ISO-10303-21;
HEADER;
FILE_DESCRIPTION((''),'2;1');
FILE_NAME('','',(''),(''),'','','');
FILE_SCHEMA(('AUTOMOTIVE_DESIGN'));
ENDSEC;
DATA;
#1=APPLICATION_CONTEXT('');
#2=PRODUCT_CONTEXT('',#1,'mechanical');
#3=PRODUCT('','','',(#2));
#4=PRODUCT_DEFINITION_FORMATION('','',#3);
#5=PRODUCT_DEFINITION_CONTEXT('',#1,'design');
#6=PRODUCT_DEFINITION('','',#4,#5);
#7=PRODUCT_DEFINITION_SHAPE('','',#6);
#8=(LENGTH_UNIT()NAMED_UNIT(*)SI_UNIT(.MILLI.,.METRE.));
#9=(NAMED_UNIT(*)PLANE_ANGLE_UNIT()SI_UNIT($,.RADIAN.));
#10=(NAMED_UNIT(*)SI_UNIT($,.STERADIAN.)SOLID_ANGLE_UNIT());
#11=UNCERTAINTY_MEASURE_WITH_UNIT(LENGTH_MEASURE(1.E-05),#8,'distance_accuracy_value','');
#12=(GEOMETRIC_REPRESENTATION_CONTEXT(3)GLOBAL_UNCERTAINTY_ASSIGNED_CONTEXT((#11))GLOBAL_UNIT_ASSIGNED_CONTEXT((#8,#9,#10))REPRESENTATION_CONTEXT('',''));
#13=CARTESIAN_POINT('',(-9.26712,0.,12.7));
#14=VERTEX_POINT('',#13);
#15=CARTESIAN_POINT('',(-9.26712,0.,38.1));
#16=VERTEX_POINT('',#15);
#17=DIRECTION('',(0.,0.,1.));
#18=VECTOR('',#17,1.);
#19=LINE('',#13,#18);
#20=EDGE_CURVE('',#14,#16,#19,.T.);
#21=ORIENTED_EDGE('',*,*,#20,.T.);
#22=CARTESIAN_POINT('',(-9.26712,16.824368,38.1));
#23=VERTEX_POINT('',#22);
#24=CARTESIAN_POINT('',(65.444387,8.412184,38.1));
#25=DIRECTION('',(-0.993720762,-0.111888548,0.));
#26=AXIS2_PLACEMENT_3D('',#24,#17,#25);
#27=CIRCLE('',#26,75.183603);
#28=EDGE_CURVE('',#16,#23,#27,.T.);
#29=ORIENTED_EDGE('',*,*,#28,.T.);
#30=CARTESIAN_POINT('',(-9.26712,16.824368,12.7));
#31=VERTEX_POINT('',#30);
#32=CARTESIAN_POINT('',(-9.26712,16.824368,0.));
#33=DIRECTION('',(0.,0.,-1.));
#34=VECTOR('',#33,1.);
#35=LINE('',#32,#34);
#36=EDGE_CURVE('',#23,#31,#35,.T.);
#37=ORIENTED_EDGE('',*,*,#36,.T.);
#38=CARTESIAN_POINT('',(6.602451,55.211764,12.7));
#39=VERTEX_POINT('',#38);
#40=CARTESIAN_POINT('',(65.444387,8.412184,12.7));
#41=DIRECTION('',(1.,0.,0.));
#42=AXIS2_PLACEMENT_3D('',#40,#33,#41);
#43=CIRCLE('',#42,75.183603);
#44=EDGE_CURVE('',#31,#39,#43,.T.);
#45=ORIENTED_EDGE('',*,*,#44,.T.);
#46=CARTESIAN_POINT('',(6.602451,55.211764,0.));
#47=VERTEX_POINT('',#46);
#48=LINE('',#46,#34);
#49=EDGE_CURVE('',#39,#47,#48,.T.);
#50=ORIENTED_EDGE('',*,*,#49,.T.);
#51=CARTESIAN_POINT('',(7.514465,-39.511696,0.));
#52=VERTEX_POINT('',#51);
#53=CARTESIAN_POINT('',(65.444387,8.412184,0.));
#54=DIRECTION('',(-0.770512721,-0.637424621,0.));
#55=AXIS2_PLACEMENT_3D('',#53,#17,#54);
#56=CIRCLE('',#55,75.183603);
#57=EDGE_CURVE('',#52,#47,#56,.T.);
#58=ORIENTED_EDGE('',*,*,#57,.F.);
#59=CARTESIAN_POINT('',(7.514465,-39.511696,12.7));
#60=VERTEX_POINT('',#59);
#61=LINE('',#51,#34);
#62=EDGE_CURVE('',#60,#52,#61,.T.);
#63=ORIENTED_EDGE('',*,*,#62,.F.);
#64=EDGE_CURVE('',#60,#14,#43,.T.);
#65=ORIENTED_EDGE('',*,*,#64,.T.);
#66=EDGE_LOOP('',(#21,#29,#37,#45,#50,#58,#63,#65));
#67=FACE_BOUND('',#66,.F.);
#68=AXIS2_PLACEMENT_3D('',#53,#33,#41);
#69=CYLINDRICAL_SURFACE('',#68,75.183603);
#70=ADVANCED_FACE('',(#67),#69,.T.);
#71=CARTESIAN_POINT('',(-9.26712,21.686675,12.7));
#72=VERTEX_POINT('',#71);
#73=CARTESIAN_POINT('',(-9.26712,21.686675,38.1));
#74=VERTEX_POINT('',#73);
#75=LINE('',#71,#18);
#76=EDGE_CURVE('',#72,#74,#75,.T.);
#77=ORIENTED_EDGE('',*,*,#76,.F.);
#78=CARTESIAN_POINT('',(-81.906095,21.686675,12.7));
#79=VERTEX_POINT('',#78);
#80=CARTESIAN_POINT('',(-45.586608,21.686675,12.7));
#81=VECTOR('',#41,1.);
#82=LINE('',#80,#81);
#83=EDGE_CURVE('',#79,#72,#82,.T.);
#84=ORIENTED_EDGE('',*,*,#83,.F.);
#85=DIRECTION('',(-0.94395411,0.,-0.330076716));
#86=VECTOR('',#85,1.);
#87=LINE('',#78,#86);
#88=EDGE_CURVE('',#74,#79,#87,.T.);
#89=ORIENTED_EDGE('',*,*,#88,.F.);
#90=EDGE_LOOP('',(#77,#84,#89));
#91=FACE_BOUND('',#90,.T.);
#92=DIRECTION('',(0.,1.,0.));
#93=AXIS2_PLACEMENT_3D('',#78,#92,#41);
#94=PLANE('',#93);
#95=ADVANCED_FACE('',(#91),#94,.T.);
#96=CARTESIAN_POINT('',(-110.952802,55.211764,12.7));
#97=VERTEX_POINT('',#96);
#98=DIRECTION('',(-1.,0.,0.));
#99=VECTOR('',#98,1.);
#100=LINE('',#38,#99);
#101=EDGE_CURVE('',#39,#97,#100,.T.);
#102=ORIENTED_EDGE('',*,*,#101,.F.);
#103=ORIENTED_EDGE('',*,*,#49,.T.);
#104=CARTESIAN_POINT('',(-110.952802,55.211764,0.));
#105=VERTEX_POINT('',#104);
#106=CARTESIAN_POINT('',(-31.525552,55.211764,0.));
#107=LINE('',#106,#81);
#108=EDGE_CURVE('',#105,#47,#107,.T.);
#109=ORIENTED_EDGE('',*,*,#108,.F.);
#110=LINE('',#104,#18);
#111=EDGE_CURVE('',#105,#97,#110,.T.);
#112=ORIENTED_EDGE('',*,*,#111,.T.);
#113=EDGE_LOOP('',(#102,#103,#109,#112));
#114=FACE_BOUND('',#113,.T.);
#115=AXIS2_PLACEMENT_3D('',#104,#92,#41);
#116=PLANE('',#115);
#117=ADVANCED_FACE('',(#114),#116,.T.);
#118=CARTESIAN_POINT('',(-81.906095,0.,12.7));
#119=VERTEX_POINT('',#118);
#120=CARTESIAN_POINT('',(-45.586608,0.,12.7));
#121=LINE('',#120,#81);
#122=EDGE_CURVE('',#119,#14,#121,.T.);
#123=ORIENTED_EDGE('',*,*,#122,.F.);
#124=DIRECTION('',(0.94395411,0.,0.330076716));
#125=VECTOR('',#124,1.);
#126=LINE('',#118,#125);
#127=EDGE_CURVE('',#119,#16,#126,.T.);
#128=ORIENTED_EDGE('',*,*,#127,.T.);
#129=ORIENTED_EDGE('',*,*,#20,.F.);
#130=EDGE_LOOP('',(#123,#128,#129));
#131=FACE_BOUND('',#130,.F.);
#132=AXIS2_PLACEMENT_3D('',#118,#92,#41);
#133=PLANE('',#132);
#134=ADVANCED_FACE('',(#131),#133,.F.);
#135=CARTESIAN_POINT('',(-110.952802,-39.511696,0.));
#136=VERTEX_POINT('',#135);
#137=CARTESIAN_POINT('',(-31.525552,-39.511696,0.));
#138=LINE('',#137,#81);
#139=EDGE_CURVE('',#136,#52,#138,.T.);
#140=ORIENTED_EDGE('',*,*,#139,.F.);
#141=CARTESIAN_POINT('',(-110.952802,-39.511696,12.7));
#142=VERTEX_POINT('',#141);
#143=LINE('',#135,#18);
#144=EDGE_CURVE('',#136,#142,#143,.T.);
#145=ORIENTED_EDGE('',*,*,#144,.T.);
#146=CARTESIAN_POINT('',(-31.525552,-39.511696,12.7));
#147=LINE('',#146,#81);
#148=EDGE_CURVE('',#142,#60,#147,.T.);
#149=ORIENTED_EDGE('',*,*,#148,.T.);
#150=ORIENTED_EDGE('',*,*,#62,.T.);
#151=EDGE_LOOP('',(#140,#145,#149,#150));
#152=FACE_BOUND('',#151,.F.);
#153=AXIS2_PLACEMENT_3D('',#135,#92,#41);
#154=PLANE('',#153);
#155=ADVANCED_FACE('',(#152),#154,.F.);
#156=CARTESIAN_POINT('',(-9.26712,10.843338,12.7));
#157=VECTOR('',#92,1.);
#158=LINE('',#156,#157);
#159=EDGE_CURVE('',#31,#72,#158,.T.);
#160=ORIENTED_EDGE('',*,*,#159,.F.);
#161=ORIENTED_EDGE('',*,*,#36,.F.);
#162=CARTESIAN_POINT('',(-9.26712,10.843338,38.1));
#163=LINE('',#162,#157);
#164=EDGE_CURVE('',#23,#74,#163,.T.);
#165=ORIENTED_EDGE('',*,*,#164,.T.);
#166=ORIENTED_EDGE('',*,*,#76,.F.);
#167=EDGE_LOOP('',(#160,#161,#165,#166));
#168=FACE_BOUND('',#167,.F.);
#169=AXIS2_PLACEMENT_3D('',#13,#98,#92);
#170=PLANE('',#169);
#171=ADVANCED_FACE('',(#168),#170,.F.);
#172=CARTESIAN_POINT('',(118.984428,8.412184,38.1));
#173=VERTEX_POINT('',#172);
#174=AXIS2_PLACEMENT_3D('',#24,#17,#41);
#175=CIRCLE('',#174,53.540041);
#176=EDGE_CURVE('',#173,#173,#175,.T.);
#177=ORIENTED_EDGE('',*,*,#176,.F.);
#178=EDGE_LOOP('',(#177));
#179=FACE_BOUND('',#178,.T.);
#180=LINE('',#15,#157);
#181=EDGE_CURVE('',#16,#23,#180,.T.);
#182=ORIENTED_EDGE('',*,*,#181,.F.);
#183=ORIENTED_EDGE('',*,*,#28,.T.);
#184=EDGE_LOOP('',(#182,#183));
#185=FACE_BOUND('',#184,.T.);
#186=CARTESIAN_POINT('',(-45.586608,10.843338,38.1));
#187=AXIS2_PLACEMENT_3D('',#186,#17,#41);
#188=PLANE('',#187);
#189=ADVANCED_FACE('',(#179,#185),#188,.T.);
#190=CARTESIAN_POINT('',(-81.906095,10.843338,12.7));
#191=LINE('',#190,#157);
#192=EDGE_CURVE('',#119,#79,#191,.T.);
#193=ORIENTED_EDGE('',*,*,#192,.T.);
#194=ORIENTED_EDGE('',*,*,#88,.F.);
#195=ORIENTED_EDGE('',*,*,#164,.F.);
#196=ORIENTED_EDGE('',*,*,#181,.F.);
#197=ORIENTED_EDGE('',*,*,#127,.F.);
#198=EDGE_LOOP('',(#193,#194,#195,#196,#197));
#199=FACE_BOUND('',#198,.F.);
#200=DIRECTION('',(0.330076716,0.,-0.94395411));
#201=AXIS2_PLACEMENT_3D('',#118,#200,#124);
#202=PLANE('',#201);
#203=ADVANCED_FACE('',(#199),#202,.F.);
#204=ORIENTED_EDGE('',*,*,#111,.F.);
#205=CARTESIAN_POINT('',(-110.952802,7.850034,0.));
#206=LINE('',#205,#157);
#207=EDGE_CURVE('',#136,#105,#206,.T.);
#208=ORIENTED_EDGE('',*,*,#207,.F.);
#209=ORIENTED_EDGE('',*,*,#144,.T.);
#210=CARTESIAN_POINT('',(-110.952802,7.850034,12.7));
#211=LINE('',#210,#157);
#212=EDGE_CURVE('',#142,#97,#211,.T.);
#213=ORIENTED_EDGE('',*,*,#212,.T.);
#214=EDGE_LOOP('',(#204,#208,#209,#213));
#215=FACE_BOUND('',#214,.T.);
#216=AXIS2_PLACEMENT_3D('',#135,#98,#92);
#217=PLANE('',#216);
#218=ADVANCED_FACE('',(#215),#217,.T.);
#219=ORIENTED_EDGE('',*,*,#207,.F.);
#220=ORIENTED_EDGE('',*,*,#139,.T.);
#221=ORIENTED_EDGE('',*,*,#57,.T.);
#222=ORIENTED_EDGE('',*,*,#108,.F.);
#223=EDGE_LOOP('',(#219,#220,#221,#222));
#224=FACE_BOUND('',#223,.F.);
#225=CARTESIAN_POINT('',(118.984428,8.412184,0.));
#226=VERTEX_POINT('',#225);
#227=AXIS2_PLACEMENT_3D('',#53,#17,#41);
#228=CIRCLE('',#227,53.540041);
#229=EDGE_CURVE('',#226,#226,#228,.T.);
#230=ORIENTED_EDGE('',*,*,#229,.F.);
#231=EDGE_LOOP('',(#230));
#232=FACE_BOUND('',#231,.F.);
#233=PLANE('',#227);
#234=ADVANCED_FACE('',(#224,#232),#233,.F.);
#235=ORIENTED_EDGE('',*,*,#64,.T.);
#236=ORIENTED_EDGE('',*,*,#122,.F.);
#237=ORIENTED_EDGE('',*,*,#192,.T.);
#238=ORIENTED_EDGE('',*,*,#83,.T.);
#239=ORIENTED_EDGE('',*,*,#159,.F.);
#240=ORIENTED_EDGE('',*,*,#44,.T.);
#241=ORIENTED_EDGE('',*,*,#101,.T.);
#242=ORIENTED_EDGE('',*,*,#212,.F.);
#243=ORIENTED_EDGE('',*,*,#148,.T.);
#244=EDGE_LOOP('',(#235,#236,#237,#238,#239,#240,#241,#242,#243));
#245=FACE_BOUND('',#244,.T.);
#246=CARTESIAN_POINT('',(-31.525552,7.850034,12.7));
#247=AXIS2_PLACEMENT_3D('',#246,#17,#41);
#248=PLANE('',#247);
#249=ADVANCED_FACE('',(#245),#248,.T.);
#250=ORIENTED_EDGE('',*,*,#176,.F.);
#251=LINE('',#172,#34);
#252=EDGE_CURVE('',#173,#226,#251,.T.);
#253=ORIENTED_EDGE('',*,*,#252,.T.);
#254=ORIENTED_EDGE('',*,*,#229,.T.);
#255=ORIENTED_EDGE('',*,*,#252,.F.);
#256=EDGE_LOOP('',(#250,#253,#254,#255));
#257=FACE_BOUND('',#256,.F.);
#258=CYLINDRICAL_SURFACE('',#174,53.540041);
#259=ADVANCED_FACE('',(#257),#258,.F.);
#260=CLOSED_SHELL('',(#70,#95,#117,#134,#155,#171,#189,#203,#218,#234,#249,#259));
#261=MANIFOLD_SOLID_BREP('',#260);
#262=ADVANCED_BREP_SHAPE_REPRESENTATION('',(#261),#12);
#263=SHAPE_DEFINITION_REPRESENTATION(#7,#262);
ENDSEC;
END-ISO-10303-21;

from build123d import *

# Parameters (mm, degrees)
F0_W      = 158.8544994593
F0_H      = 94.7234593332
F1_DEPTH  = 12.7
F3_DEPTH  = 12.701
F4_R      = 75.1836031241
F5_DEPTH  = 38.1
F6_R      = 53.5400409411
F7_DEPTH  = 38.101
F8_W      = 72.6389752571
F8_H      = 21.686675027
F9_DEPTH  = 25.4
F11_DEPTH = 83.5967873179


with BuildPart() as f1:
    # F0 (on Top) → F1 (new body)
    with BuildSketch(Plane.XY):
        with Locations((-31.5255522728, 7.8500341624)):
            Rectangle(F0_W, F0_H)
    extrude(amount=F1_DEPTH)

    # F2 (on face) → F3 (cut, through all)
    with BuildSketch(Plane.XY.offset(12.7)):
        with BuildLine():
            Line((47.9016974568, -39.5116955042), (47.9016974568, 55.211763829))
            ThreePointArc((47.9016974568, 55.211763829), (16.204565289, 7.8500341624), (47.9016974568, -39.5116955042))
        make_face()
    extrude(amount=-F3_DEPTH, mode=Mode.SUBTRACT)

    # F4 (on Top) → F5 (join)
    with BuildSketch(Plane.XY):
        with Locations((65.4443874955, 8.4121841937)):
            Circle(F4_R)
    extrude(amount=F5_DEPTH)

    # F6 (on face) → F7 (cut, through all)
    with BuildSketch(Plane.XY.offset(38.1)):
        with Locations((65.4443874955, 8.4121841937)):
            Circle(F6_R)
    extrude(amount=-F7_DEPTH, mode=Mode.SUBTRACT)

    # F8 (on face) → F9 (join)
    with BuildSketch(Plane.XY.offset(12.7)):
        with Locations((-45.5866075186, 10.8433375135)):
            Rectangle(F8_W, F8_H)
    extrude(amount=F9_DEPTH)

    # F10 (on face) → F11 (cut, through all)
    with BuildSketch(Plane.XZ):
        Polygon((-81.9060951471, 38.1), (-81.9060951471, 12.7), (-9.26711989, 38.1), align=None)
    extrude(amount=-F11_DEPTH, mode=Mode.SUBTRACT)


solid = f1.part
